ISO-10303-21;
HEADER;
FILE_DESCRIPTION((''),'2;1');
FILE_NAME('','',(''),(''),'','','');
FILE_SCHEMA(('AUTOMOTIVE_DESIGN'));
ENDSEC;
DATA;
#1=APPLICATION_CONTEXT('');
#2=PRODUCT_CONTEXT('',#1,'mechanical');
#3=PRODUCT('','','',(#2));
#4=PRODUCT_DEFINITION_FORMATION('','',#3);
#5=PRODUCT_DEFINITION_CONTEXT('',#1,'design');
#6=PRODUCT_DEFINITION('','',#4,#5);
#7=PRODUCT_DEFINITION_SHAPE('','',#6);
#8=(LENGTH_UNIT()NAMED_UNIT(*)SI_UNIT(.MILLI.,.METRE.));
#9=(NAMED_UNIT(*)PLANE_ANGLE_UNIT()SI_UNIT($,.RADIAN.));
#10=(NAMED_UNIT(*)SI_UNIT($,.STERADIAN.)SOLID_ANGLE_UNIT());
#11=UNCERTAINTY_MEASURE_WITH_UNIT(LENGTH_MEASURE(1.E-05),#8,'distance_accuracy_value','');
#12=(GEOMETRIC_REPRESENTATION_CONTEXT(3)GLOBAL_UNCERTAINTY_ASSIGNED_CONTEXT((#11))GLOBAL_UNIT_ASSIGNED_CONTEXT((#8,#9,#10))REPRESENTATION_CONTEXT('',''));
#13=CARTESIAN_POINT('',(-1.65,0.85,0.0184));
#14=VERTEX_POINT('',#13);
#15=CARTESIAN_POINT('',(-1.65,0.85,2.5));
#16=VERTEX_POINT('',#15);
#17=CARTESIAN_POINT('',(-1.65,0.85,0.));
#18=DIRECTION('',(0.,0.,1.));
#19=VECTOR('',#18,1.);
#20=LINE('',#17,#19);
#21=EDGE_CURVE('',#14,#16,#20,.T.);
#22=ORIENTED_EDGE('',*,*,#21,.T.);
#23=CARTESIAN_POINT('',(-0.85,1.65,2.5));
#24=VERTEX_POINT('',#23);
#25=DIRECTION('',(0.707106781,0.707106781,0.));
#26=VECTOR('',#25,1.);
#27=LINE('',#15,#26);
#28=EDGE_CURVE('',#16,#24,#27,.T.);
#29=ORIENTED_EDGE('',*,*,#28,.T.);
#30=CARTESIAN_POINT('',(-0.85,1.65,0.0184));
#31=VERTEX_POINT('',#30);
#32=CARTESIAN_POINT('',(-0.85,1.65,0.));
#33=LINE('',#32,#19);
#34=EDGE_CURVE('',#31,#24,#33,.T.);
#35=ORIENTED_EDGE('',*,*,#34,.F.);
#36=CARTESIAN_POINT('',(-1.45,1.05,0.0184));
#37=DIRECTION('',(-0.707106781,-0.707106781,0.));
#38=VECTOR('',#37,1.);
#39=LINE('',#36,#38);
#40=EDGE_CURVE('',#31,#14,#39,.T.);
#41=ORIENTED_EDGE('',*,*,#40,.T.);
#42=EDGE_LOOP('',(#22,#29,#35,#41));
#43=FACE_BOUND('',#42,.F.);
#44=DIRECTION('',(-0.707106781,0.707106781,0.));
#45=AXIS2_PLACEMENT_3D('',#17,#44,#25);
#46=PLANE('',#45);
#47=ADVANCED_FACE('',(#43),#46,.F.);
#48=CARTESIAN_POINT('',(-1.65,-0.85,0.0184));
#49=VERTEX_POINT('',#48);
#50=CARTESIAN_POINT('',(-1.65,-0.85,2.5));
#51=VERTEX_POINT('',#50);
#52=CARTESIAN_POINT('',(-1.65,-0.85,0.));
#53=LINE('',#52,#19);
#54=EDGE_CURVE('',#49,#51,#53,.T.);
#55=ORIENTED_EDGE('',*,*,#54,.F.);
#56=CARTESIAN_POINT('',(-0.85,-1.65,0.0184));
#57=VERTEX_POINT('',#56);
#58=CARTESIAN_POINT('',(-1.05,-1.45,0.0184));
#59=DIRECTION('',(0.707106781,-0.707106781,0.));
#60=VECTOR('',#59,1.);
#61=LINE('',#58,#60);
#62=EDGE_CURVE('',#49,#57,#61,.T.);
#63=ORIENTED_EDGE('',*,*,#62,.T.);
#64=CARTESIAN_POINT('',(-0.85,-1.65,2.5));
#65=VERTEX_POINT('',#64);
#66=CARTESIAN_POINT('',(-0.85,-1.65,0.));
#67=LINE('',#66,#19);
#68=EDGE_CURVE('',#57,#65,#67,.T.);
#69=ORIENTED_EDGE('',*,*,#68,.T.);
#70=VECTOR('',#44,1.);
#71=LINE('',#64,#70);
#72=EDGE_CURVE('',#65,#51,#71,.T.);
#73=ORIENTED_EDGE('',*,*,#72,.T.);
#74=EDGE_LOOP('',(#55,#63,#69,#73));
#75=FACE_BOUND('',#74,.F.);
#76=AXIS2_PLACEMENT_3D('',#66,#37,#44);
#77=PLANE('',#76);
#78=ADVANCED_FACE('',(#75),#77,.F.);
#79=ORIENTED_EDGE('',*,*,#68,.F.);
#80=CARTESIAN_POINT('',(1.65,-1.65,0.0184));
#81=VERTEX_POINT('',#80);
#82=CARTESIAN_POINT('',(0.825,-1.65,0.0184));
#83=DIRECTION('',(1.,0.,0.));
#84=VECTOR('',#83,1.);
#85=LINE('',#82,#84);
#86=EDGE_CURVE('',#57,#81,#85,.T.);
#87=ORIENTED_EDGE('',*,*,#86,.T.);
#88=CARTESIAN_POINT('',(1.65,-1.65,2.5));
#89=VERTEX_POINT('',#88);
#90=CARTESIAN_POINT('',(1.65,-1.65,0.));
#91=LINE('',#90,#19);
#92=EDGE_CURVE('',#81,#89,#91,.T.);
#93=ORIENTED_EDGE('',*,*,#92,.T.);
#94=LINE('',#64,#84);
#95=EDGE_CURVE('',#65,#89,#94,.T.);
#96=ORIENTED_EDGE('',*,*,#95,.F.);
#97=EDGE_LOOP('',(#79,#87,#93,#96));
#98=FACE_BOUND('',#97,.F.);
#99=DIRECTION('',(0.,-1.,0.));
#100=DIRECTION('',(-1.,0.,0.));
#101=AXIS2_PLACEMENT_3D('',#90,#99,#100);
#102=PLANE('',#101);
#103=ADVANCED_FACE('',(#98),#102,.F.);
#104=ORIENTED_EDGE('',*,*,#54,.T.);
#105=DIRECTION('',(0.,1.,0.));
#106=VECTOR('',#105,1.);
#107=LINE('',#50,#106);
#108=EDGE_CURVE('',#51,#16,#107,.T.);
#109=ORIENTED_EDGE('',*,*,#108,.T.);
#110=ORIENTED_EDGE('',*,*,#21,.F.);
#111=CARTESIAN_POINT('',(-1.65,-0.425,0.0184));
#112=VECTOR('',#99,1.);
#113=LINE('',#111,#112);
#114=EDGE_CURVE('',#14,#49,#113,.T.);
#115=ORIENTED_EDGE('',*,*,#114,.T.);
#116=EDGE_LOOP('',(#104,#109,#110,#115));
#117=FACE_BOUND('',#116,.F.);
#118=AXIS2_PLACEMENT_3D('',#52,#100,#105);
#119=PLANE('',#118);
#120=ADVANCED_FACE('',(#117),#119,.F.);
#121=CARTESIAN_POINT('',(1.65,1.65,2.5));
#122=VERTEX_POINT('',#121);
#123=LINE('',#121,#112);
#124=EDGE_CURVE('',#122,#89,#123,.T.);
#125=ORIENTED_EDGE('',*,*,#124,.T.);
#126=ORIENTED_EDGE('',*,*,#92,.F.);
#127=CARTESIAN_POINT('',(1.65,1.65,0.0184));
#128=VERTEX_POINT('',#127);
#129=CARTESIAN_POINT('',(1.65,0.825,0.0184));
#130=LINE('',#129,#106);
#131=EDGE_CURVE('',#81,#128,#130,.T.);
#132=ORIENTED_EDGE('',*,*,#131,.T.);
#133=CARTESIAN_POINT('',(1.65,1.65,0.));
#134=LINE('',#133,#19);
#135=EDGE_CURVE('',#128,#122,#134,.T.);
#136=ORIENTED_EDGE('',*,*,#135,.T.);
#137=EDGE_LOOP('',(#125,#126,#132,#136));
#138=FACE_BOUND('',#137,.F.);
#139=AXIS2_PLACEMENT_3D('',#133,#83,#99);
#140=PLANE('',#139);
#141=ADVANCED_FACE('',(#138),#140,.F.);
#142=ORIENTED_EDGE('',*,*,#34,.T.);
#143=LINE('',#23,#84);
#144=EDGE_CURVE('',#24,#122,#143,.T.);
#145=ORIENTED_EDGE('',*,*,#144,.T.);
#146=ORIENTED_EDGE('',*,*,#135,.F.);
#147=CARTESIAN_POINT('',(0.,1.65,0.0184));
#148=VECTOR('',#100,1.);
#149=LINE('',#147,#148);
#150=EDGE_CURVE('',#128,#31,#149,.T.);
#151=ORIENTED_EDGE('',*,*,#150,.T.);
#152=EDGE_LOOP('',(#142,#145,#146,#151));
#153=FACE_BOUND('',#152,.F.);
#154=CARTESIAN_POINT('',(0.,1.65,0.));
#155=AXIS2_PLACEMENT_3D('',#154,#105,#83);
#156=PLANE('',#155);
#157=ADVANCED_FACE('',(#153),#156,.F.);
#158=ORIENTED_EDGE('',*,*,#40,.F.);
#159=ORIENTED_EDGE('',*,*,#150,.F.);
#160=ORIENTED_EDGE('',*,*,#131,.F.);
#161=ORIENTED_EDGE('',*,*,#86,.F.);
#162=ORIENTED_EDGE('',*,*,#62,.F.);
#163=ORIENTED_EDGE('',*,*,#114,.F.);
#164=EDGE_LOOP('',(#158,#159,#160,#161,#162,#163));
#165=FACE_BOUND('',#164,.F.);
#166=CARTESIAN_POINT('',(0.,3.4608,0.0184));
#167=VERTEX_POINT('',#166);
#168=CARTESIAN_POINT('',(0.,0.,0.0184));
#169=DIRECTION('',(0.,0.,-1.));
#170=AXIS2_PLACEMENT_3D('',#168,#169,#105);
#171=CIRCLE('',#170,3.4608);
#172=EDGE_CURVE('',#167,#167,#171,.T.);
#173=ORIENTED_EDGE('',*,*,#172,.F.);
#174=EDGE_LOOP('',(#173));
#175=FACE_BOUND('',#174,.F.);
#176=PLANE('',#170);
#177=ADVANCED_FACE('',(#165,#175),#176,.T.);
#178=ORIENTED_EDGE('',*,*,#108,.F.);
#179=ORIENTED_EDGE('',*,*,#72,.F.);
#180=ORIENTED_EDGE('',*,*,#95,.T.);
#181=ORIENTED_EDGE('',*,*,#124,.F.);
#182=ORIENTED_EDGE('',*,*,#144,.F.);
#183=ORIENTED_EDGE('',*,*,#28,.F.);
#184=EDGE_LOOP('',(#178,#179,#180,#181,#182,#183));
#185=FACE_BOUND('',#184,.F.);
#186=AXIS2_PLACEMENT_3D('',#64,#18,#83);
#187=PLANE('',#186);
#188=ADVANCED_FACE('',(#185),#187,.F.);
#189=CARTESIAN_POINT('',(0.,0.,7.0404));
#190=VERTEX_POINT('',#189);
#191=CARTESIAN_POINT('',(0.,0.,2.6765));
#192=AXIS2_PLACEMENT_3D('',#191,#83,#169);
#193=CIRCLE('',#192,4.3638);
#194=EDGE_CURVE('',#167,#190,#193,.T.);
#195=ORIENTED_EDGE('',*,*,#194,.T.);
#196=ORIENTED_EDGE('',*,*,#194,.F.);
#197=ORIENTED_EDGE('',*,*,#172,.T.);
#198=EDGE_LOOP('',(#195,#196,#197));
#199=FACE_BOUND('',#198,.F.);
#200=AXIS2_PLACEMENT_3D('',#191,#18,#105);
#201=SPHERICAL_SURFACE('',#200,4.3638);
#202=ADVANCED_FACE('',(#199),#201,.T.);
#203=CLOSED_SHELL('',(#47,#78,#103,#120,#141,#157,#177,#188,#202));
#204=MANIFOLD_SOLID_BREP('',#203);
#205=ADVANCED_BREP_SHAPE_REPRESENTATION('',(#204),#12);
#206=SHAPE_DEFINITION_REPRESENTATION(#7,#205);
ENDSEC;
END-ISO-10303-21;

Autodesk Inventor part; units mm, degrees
ref_plane "Work Plane1" through (0, 0, 0) normal (1, 0, 0) x (0, 0, -1)
sketch "Sketch3" plane through (0, 0, 0) normal (1, 0, 0) x (0, 0, -1)
  circle A0 centre (-2.6765, 0) radius 4.3638
  line L0 (-7.0404, 0) -> (1.6873, 0)
  line L1 (-0.0184, 0) -> (-0.0184, 3.4608)
  point P0 (0, 0)
ref_plane "Work Plane2" through (-0.85, -1.65, 0) normal (0, 0, 1) x (1, 0, 0)
sketch "Sketch5" plane through (-0.85, -1.65, 0) normal (0, 0, 1) x (1, 0, 0)
  line L0 (-0.8, 2.5) -> (0, 3.3) projected
  line L1 (-0.8, 0.8) -> (-0.8, 2.5) projected
  line L2 (0, 0) -> (-0.8, 0.8) projected
  line L3 (2.5, 0) -> (0, 0) projected
  line L4 (2.5, 3.3) -> (2.5, 0) projected
  line L5 (0, 3.3) -> (2.5, 3.3) projected
  circle A0 centre (0.85, 1.65) radius 1.25 projected
revolve "Revolution2" add sketch "Sketch3" angle 360 about axis through (0, 0, 7.0404) along (0, 0, -1) picked at (-4.6554, 0.3561) contours L1 L0 A0
ref_plane "Work Plane3" through (-0.85, -1.65, 0) normal (0, 0, 1) x (1, 0, 0)
sketch "Sketch6" plane through (-0.85, -1.65, 0) normal (0, 0, 1) x (1, 0, 0)
  line L0 (0.85, 8.4832) -> (0.85, -5.1832) projected
  line L1 (-0.8, 2.5) -> (0, 3.3) projected
  line L2 (-0.8, 0.8) -> (-0.8, 2.5) projected
  line L3 (0, 0) -> (-0.8, 0.8) projected
  line L4 (2.5, 0) -> (0, 0) projected
  line L5 (2.5, 3.3) -> (2.5, 0) projected
  line L6 (0, 3.3) -> (2.5, 3.3) projected
  circle A0 centre (0.85, 1.65) radius 1.25 projected
  circle A1 centre (0.85, 1.65) radius 1.25 projected
extrude "Extrusion2" cut sketch "Sketch6" along normal blind 2.5
properties part number "JS5210_hat_top_1"
